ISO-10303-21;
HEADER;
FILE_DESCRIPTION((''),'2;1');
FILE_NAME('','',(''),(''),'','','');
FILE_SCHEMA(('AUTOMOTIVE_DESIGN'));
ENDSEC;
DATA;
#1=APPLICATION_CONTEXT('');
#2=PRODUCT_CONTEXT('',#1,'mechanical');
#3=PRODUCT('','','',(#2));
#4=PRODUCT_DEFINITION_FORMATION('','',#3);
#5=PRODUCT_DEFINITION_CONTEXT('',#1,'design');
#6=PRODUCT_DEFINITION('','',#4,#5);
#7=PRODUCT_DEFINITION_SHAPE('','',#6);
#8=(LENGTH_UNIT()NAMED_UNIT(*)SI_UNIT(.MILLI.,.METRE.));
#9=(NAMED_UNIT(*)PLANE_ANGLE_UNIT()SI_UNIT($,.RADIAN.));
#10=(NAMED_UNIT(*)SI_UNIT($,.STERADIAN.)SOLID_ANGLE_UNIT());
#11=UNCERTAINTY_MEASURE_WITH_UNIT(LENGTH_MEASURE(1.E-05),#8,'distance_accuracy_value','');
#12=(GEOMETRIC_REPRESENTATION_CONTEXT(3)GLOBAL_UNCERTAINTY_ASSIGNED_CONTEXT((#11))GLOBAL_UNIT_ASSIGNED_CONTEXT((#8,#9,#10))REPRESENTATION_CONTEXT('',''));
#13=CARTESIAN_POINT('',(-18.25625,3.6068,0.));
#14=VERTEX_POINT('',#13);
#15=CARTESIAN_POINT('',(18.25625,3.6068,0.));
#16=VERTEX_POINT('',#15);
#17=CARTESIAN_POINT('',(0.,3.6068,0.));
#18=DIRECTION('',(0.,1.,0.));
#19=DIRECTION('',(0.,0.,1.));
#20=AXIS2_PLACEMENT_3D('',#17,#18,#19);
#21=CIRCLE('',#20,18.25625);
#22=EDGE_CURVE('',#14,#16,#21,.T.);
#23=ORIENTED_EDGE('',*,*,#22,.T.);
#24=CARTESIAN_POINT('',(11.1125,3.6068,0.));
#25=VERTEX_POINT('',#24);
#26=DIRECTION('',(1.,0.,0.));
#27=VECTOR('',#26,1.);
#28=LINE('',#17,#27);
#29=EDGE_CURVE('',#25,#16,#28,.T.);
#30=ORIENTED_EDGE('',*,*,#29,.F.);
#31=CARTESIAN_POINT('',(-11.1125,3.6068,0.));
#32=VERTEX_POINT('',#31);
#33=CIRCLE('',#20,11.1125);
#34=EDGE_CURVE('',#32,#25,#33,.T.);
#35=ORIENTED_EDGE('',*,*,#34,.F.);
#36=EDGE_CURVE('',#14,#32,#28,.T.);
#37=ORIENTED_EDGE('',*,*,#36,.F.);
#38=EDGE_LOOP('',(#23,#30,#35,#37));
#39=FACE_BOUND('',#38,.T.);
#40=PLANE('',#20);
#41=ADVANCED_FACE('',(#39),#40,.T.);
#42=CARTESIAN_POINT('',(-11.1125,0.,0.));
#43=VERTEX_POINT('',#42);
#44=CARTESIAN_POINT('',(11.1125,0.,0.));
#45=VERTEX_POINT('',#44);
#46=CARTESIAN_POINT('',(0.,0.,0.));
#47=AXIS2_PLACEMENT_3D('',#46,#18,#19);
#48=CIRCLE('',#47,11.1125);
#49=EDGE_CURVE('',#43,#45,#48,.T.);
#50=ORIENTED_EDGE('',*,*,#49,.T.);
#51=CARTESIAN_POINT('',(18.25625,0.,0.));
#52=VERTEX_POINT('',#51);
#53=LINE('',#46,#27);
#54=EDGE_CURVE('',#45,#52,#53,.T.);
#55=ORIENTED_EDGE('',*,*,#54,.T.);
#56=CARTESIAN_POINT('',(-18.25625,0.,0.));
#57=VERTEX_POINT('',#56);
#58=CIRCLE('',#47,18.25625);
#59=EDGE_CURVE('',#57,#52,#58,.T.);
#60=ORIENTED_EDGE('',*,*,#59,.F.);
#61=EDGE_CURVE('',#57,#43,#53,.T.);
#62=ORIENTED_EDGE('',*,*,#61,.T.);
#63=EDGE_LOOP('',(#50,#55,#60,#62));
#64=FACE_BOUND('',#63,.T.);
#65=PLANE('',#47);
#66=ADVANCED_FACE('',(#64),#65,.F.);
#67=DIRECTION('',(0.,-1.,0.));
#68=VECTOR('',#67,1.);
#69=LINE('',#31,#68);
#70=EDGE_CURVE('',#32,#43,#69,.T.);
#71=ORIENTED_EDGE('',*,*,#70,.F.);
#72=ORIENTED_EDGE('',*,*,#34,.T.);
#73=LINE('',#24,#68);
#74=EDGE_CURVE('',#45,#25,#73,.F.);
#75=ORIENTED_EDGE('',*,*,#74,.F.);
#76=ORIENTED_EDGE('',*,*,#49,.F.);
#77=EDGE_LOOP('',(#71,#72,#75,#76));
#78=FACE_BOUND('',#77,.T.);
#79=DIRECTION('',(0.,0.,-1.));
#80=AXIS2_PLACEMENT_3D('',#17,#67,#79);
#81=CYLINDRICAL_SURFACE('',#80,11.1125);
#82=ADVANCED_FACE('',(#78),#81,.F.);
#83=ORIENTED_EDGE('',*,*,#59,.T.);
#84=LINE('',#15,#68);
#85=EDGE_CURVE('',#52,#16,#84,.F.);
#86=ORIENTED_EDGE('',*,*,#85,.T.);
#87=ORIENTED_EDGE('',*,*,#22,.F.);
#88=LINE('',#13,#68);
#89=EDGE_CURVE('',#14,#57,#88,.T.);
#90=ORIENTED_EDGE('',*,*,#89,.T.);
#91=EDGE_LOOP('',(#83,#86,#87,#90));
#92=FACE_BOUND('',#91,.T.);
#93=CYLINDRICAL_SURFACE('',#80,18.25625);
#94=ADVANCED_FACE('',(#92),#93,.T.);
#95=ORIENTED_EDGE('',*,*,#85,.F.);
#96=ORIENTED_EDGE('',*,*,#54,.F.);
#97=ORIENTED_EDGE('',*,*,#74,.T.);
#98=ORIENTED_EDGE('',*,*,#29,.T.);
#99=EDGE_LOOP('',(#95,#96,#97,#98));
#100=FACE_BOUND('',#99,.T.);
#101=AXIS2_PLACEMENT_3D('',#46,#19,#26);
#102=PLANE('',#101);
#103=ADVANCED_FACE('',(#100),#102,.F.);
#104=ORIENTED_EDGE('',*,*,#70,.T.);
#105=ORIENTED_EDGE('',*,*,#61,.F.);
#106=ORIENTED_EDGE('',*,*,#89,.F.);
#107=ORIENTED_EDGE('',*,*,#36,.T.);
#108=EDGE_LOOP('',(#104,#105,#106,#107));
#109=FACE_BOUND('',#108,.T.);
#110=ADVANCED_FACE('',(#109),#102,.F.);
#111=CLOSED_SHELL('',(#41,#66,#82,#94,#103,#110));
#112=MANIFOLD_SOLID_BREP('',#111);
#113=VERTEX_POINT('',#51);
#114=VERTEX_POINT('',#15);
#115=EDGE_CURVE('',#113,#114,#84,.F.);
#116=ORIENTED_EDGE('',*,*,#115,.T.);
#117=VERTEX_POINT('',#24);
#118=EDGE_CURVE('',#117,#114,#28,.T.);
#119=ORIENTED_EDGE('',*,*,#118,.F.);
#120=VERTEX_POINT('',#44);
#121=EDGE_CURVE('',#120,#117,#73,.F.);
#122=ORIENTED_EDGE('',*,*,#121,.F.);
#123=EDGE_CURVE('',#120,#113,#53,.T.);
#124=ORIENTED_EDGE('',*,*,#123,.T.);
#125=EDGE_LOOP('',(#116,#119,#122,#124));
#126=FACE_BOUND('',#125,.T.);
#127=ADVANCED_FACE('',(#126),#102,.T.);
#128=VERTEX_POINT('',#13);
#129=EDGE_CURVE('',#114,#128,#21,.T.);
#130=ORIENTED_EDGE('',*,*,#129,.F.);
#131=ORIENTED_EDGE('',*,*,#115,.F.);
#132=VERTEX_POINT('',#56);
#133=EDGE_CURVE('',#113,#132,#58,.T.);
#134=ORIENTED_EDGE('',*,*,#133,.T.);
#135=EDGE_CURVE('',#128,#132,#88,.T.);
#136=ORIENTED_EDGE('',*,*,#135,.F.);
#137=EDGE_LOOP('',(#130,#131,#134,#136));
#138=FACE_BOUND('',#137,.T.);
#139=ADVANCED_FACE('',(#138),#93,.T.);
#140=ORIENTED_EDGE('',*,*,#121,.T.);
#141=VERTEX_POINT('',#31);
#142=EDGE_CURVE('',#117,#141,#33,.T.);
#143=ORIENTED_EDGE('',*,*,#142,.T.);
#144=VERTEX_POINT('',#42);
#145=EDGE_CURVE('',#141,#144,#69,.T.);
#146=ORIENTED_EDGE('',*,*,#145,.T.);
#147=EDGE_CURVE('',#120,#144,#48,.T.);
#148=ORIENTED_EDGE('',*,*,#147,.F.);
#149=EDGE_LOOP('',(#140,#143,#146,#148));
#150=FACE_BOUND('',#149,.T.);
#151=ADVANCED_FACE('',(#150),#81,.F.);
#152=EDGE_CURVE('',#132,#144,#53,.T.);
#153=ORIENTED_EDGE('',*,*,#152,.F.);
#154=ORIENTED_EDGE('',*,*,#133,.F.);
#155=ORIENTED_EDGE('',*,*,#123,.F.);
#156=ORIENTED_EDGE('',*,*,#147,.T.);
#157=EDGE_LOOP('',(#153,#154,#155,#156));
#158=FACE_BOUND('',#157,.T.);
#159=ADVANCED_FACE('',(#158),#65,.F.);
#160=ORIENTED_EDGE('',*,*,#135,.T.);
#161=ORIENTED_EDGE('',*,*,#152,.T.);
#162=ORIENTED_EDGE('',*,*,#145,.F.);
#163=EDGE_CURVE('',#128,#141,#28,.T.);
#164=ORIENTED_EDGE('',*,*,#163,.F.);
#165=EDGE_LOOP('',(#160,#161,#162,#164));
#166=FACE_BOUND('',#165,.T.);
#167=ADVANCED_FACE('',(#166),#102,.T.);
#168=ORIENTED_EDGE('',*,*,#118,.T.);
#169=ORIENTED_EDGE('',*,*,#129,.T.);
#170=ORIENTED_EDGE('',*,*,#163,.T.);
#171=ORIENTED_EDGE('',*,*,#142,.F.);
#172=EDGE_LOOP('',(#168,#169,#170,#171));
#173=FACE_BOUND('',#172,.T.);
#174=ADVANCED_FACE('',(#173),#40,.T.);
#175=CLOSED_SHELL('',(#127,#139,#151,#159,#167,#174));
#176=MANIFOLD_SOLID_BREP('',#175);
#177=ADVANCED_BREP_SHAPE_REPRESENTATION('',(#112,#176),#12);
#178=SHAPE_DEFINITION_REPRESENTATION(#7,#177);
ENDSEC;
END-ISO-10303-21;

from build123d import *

# Parameters (mm, degrees)
SKETCH1_R      = 18.25625
SKETCH1_R_2    = 11.1125
EXTRUDE1_DEPTH = 3.6068


with BuildPart() as part:
    # Sketch1 → Extrude1 (new body)
    with BuildSketch(Plane(origin=(0, 0, 0), x_dir=(1, 0, 0), z_dir=(0, 1, 0))):
        Circle(SKETCH1_R)
        Circle(SKETCH1_R_2, mode=Mode.SUBTRACT)
    extrude(amount=EXTRUDE1_DEPTH)


with BuildPart() as body_2:
    # Split1: the piece on the far side of the plane
    add(part.part)
    split(bisect_by=Plane.XY, keep=Keep.BOTTOM)


with BuildPart() as part_1:
    add(part.part)

    # Split1
    split(bisect_by=Plane.XY, keep=Keep.TOP)


solid = Compound([body_2.part, part_1.part])
